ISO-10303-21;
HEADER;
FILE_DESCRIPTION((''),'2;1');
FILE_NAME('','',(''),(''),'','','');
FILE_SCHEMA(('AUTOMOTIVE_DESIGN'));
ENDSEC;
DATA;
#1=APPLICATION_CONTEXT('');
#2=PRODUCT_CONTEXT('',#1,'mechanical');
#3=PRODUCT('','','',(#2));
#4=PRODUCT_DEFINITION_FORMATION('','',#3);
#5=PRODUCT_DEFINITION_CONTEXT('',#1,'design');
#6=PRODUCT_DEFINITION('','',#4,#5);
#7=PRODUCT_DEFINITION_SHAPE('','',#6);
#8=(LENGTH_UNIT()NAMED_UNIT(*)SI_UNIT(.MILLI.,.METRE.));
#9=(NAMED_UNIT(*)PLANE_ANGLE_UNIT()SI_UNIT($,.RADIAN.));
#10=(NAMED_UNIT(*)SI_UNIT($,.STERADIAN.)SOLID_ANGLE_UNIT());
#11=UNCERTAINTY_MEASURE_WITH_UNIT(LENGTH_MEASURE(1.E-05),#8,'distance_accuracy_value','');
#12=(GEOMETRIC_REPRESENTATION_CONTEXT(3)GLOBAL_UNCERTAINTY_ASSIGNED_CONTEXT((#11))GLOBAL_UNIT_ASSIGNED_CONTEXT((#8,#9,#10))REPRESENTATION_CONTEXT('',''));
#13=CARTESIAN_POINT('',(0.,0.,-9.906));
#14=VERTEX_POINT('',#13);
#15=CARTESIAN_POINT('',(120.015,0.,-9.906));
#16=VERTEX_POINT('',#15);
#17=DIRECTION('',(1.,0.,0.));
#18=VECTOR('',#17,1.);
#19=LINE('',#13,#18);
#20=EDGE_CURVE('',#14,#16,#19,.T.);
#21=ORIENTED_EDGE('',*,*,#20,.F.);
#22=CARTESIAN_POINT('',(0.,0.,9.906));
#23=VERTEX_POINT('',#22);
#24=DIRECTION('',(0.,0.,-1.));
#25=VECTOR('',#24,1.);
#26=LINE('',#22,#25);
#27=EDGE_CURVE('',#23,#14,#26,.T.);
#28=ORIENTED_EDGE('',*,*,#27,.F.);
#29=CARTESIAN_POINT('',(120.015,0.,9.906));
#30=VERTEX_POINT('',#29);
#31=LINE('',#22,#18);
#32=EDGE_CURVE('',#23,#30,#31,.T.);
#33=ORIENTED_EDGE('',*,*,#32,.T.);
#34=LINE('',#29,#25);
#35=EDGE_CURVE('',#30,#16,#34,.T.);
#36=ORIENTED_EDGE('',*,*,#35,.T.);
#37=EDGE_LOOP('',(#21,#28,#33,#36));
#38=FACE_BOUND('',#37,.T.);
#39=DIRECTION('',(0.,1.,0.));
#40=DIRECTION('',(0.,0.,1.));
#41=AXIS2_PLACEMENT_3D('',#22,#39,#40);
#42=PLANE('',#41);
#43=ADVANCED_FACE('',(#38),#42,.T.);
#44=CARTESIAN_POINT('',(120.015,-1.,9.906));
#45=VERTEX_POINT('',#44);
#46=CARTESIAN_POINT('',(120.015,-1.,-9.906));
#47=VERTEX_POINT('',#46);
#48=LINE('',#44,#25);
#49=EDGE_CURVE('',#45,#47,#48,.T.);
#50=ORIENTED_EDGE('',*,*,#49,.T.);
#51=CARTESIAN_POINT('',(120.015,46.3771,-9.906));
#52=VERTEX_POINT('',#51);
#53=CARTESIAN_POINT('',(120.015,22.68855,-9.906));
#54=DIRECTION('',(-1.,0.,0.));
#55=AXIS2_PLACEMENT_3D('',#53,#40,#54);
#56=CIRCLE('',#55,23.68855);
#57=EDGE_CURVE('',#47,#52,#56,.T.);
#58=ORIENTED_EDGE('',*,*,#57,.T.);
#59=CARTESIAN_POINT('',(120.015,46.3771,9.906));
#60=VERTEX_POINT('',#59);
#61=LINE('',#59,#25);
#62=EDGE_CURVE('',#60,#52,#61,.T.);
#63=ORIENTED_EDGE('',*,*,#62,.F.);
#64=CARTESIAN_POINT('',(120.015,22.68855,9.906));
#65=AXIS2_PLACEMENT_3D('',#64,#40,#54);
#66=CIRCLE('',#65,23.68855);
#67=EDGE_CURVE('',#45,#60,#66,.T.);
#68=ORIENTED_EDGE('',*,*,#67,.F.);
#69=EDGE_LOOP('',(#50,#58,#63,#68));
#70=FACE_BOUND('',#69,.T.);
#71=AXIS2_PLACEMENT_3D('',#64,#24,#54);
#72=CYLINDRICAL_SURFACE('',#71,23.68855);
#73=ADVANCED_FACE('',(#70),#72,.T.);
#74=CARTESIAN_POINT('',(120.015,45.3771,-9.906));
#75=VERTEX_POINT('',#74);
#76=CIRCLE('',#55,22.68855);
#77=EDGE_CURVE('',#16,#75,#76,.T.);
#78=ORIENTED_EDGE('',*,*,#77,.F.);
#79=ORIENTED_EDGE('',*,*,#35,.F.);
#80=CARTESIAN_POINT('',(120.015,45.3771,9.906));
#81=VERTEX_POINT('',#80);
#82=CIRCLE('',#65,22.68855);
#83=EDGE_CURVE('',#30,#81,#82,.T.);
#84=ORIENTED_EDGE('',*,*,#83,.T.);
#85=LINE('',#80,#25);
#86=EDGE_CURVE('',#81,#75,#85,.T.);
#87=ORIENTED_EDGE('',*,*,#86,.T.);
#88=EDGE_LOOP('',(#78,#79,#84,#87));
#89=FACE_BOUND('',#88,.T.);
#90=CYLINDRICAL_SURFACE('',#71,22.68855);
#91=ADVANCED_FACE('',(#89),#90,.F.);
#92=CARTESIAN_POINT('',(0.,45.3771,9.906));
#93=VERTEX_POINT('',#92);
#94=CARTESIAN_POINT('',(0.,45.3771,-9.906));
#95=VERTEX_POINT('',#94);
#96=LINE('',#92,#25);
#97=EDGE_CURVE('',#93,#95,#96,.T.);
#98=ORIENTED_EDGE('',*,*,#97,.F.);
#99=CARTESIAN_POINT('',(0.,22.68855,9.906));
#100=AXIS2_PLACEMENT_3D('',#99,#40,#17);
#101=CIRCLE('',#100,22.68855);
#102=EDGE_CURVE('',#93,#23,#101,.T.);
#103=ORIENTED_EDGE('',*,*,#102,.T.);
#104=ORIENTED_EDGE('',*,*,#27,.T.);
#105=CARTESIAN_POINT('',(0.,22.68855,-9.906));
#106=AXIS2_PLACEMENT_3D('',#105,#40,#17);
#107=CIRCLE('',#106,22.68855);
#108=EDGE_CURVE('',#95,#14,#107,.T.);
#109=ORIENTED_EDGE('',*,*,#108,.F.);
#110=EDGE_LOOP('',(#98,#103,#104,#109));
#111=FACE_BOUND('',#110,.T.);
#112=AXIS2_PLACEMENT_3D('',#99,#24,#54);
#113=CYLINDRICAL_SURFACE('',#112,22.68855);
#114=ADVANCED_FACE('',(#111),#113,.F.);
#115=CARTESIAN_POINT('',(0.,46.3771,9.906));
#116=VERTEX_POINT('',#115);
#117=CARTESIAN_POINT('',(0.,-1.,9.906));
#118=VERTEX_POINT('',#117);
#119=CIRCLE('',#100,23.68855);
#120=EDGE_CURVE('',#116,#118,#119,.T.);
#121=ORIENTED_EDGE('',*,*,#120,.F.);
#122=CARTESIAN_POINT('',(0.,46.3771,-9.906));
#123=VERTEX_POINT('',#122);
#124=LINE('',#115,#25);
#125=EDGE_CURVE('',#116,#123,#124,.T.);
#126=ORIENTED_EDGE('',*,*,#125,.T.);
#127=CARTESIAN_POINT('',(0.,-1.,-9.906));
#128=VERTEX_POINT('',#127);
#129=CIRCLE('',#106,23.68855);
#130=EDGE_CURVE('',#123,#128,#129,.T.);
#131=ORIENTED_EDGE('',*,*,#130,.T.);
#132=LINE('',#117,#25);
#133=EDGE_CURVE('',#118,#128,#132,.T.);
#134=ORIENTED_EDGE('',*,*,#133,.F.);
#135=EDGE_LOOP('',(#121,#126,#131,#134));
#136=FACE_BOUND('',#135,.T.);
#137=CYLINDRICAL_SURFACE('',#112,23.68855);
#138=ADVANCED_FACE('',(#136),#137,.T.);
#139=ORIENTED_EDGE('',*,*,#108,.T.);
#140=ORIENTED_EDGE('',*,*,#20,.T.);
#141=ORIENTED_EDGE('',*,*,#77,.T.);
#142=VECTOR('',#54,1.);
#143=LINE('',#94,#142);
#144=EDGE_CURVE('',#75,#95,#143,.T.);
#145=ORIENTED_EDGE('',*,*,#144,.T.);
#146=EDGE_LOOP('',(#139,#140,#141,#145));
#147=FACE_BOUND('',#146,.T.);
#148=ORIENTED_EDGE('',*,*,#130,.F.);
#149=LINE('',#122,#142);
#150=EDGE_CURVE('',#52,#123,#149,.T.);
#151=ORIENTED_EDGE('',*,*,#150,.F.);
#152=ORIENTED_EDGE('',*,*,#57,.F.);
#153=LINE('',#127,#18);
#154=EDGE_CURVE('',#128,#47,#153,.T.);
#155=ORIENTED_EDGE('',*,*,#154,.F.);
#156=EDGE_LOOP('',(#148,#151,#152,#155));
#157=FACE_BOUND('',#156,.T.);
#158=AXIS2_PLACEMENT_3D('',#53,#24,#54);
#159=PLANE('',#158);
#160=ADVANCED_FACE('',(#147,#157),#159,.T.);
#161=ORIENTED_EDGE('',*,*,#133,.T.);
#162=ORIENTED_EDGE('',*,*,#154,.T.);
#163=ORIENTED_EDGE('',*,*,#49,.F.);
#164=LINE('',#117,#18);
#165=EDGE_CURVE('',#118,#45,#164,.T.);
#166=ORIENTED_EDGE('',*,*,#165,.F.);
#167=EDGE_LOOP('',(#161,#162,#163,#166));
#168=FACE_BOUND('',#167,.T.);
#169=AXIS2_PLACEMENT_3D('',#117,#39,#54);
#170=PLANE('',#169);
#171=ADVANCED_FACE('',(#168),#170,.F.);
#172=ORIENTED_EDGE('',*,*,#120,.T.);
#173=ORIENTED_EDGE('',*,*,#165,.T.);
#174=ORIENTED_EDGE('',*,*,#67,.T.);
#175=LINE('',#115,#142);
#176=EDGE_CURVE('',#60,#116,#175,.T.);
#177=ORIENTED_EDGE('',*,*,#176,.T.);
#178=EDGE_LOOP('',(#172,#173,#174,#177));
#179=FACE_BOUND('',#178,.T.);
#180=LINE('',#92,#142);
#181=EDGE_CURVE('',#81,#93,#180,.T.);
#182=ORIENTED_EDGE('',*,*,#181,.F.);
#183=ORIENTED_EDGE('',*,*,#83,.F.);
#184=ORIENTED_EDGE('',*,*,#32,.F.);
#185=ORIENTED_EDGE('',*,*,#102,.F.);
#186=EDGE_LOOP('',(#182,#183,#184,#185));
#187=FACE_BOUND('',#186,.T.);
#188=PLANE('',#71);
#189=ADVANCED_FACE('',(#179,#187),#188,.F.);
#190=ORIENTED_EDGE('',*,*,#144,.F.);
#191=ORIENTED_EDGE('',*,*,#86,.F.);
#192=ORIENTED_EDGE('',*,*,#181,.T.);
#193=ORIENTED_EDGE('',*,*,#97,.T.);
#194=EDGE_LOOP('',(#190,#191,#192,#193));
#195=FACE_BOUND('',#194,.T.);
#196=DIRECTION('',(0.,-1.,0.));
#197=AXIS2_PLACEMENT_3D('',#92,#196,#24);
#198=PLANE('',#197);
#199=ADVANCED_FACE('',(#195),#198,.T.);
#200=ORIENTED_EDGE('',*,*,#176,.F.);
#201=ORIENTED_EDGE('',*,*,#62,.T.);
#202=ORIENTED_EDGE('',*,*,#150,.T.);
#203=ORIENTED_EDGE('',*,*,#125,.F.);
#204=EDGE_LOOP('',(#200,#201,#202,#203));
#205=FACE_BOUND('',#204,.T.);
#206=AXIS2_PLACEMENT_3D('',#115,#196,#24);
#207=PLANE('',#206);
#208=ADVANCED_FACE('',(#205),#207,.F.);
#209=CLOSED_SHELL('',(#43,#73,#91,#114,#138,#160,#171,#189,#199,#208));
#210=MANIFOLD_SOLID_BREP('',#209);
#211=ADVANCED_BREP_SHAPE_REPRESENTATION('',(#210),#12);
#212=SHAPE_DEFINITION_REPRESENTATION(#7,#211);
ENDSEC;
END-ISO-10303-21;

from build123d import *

# Parameters (mm, degrees)
BOSS_EXTRUDE1_DEPTH = 9.906


with BuildPart() as part:
    # Sketch1 → Boss-Extrude1 (new body, symmetric)
    with BuildSketch(Plane.XY):
        with BuildLine():
            Line((0, 46.3771), (120.015, 46.3771))
            ThreePointArc((120.015, 46.3771), (143.70355, 22.68855), (120.015, -1))
            Line((120.015, -1), (0, -1))
            ThreePointArc((0, -1), (-23.68855, 22.68855), (0, 46.3771))
        make_face()
        with BuildLine():
            Line((0, 45.3771), (120.015, 45.3771))
            ThreePointArc((120.015, 45.3771), (142.70355, 22.68855), (120.015, 0))
            Line((120.015, 0), (0, 0))
            ThreePointArc((0, 0), (-22.68855, 22.68855), (0, 45.3771))
        make_face(mode=Mode.SUBTRACT)
    extrude(amount=BOSS_EXTRUDE1_DEPTH, both=True)


solid = part.part
